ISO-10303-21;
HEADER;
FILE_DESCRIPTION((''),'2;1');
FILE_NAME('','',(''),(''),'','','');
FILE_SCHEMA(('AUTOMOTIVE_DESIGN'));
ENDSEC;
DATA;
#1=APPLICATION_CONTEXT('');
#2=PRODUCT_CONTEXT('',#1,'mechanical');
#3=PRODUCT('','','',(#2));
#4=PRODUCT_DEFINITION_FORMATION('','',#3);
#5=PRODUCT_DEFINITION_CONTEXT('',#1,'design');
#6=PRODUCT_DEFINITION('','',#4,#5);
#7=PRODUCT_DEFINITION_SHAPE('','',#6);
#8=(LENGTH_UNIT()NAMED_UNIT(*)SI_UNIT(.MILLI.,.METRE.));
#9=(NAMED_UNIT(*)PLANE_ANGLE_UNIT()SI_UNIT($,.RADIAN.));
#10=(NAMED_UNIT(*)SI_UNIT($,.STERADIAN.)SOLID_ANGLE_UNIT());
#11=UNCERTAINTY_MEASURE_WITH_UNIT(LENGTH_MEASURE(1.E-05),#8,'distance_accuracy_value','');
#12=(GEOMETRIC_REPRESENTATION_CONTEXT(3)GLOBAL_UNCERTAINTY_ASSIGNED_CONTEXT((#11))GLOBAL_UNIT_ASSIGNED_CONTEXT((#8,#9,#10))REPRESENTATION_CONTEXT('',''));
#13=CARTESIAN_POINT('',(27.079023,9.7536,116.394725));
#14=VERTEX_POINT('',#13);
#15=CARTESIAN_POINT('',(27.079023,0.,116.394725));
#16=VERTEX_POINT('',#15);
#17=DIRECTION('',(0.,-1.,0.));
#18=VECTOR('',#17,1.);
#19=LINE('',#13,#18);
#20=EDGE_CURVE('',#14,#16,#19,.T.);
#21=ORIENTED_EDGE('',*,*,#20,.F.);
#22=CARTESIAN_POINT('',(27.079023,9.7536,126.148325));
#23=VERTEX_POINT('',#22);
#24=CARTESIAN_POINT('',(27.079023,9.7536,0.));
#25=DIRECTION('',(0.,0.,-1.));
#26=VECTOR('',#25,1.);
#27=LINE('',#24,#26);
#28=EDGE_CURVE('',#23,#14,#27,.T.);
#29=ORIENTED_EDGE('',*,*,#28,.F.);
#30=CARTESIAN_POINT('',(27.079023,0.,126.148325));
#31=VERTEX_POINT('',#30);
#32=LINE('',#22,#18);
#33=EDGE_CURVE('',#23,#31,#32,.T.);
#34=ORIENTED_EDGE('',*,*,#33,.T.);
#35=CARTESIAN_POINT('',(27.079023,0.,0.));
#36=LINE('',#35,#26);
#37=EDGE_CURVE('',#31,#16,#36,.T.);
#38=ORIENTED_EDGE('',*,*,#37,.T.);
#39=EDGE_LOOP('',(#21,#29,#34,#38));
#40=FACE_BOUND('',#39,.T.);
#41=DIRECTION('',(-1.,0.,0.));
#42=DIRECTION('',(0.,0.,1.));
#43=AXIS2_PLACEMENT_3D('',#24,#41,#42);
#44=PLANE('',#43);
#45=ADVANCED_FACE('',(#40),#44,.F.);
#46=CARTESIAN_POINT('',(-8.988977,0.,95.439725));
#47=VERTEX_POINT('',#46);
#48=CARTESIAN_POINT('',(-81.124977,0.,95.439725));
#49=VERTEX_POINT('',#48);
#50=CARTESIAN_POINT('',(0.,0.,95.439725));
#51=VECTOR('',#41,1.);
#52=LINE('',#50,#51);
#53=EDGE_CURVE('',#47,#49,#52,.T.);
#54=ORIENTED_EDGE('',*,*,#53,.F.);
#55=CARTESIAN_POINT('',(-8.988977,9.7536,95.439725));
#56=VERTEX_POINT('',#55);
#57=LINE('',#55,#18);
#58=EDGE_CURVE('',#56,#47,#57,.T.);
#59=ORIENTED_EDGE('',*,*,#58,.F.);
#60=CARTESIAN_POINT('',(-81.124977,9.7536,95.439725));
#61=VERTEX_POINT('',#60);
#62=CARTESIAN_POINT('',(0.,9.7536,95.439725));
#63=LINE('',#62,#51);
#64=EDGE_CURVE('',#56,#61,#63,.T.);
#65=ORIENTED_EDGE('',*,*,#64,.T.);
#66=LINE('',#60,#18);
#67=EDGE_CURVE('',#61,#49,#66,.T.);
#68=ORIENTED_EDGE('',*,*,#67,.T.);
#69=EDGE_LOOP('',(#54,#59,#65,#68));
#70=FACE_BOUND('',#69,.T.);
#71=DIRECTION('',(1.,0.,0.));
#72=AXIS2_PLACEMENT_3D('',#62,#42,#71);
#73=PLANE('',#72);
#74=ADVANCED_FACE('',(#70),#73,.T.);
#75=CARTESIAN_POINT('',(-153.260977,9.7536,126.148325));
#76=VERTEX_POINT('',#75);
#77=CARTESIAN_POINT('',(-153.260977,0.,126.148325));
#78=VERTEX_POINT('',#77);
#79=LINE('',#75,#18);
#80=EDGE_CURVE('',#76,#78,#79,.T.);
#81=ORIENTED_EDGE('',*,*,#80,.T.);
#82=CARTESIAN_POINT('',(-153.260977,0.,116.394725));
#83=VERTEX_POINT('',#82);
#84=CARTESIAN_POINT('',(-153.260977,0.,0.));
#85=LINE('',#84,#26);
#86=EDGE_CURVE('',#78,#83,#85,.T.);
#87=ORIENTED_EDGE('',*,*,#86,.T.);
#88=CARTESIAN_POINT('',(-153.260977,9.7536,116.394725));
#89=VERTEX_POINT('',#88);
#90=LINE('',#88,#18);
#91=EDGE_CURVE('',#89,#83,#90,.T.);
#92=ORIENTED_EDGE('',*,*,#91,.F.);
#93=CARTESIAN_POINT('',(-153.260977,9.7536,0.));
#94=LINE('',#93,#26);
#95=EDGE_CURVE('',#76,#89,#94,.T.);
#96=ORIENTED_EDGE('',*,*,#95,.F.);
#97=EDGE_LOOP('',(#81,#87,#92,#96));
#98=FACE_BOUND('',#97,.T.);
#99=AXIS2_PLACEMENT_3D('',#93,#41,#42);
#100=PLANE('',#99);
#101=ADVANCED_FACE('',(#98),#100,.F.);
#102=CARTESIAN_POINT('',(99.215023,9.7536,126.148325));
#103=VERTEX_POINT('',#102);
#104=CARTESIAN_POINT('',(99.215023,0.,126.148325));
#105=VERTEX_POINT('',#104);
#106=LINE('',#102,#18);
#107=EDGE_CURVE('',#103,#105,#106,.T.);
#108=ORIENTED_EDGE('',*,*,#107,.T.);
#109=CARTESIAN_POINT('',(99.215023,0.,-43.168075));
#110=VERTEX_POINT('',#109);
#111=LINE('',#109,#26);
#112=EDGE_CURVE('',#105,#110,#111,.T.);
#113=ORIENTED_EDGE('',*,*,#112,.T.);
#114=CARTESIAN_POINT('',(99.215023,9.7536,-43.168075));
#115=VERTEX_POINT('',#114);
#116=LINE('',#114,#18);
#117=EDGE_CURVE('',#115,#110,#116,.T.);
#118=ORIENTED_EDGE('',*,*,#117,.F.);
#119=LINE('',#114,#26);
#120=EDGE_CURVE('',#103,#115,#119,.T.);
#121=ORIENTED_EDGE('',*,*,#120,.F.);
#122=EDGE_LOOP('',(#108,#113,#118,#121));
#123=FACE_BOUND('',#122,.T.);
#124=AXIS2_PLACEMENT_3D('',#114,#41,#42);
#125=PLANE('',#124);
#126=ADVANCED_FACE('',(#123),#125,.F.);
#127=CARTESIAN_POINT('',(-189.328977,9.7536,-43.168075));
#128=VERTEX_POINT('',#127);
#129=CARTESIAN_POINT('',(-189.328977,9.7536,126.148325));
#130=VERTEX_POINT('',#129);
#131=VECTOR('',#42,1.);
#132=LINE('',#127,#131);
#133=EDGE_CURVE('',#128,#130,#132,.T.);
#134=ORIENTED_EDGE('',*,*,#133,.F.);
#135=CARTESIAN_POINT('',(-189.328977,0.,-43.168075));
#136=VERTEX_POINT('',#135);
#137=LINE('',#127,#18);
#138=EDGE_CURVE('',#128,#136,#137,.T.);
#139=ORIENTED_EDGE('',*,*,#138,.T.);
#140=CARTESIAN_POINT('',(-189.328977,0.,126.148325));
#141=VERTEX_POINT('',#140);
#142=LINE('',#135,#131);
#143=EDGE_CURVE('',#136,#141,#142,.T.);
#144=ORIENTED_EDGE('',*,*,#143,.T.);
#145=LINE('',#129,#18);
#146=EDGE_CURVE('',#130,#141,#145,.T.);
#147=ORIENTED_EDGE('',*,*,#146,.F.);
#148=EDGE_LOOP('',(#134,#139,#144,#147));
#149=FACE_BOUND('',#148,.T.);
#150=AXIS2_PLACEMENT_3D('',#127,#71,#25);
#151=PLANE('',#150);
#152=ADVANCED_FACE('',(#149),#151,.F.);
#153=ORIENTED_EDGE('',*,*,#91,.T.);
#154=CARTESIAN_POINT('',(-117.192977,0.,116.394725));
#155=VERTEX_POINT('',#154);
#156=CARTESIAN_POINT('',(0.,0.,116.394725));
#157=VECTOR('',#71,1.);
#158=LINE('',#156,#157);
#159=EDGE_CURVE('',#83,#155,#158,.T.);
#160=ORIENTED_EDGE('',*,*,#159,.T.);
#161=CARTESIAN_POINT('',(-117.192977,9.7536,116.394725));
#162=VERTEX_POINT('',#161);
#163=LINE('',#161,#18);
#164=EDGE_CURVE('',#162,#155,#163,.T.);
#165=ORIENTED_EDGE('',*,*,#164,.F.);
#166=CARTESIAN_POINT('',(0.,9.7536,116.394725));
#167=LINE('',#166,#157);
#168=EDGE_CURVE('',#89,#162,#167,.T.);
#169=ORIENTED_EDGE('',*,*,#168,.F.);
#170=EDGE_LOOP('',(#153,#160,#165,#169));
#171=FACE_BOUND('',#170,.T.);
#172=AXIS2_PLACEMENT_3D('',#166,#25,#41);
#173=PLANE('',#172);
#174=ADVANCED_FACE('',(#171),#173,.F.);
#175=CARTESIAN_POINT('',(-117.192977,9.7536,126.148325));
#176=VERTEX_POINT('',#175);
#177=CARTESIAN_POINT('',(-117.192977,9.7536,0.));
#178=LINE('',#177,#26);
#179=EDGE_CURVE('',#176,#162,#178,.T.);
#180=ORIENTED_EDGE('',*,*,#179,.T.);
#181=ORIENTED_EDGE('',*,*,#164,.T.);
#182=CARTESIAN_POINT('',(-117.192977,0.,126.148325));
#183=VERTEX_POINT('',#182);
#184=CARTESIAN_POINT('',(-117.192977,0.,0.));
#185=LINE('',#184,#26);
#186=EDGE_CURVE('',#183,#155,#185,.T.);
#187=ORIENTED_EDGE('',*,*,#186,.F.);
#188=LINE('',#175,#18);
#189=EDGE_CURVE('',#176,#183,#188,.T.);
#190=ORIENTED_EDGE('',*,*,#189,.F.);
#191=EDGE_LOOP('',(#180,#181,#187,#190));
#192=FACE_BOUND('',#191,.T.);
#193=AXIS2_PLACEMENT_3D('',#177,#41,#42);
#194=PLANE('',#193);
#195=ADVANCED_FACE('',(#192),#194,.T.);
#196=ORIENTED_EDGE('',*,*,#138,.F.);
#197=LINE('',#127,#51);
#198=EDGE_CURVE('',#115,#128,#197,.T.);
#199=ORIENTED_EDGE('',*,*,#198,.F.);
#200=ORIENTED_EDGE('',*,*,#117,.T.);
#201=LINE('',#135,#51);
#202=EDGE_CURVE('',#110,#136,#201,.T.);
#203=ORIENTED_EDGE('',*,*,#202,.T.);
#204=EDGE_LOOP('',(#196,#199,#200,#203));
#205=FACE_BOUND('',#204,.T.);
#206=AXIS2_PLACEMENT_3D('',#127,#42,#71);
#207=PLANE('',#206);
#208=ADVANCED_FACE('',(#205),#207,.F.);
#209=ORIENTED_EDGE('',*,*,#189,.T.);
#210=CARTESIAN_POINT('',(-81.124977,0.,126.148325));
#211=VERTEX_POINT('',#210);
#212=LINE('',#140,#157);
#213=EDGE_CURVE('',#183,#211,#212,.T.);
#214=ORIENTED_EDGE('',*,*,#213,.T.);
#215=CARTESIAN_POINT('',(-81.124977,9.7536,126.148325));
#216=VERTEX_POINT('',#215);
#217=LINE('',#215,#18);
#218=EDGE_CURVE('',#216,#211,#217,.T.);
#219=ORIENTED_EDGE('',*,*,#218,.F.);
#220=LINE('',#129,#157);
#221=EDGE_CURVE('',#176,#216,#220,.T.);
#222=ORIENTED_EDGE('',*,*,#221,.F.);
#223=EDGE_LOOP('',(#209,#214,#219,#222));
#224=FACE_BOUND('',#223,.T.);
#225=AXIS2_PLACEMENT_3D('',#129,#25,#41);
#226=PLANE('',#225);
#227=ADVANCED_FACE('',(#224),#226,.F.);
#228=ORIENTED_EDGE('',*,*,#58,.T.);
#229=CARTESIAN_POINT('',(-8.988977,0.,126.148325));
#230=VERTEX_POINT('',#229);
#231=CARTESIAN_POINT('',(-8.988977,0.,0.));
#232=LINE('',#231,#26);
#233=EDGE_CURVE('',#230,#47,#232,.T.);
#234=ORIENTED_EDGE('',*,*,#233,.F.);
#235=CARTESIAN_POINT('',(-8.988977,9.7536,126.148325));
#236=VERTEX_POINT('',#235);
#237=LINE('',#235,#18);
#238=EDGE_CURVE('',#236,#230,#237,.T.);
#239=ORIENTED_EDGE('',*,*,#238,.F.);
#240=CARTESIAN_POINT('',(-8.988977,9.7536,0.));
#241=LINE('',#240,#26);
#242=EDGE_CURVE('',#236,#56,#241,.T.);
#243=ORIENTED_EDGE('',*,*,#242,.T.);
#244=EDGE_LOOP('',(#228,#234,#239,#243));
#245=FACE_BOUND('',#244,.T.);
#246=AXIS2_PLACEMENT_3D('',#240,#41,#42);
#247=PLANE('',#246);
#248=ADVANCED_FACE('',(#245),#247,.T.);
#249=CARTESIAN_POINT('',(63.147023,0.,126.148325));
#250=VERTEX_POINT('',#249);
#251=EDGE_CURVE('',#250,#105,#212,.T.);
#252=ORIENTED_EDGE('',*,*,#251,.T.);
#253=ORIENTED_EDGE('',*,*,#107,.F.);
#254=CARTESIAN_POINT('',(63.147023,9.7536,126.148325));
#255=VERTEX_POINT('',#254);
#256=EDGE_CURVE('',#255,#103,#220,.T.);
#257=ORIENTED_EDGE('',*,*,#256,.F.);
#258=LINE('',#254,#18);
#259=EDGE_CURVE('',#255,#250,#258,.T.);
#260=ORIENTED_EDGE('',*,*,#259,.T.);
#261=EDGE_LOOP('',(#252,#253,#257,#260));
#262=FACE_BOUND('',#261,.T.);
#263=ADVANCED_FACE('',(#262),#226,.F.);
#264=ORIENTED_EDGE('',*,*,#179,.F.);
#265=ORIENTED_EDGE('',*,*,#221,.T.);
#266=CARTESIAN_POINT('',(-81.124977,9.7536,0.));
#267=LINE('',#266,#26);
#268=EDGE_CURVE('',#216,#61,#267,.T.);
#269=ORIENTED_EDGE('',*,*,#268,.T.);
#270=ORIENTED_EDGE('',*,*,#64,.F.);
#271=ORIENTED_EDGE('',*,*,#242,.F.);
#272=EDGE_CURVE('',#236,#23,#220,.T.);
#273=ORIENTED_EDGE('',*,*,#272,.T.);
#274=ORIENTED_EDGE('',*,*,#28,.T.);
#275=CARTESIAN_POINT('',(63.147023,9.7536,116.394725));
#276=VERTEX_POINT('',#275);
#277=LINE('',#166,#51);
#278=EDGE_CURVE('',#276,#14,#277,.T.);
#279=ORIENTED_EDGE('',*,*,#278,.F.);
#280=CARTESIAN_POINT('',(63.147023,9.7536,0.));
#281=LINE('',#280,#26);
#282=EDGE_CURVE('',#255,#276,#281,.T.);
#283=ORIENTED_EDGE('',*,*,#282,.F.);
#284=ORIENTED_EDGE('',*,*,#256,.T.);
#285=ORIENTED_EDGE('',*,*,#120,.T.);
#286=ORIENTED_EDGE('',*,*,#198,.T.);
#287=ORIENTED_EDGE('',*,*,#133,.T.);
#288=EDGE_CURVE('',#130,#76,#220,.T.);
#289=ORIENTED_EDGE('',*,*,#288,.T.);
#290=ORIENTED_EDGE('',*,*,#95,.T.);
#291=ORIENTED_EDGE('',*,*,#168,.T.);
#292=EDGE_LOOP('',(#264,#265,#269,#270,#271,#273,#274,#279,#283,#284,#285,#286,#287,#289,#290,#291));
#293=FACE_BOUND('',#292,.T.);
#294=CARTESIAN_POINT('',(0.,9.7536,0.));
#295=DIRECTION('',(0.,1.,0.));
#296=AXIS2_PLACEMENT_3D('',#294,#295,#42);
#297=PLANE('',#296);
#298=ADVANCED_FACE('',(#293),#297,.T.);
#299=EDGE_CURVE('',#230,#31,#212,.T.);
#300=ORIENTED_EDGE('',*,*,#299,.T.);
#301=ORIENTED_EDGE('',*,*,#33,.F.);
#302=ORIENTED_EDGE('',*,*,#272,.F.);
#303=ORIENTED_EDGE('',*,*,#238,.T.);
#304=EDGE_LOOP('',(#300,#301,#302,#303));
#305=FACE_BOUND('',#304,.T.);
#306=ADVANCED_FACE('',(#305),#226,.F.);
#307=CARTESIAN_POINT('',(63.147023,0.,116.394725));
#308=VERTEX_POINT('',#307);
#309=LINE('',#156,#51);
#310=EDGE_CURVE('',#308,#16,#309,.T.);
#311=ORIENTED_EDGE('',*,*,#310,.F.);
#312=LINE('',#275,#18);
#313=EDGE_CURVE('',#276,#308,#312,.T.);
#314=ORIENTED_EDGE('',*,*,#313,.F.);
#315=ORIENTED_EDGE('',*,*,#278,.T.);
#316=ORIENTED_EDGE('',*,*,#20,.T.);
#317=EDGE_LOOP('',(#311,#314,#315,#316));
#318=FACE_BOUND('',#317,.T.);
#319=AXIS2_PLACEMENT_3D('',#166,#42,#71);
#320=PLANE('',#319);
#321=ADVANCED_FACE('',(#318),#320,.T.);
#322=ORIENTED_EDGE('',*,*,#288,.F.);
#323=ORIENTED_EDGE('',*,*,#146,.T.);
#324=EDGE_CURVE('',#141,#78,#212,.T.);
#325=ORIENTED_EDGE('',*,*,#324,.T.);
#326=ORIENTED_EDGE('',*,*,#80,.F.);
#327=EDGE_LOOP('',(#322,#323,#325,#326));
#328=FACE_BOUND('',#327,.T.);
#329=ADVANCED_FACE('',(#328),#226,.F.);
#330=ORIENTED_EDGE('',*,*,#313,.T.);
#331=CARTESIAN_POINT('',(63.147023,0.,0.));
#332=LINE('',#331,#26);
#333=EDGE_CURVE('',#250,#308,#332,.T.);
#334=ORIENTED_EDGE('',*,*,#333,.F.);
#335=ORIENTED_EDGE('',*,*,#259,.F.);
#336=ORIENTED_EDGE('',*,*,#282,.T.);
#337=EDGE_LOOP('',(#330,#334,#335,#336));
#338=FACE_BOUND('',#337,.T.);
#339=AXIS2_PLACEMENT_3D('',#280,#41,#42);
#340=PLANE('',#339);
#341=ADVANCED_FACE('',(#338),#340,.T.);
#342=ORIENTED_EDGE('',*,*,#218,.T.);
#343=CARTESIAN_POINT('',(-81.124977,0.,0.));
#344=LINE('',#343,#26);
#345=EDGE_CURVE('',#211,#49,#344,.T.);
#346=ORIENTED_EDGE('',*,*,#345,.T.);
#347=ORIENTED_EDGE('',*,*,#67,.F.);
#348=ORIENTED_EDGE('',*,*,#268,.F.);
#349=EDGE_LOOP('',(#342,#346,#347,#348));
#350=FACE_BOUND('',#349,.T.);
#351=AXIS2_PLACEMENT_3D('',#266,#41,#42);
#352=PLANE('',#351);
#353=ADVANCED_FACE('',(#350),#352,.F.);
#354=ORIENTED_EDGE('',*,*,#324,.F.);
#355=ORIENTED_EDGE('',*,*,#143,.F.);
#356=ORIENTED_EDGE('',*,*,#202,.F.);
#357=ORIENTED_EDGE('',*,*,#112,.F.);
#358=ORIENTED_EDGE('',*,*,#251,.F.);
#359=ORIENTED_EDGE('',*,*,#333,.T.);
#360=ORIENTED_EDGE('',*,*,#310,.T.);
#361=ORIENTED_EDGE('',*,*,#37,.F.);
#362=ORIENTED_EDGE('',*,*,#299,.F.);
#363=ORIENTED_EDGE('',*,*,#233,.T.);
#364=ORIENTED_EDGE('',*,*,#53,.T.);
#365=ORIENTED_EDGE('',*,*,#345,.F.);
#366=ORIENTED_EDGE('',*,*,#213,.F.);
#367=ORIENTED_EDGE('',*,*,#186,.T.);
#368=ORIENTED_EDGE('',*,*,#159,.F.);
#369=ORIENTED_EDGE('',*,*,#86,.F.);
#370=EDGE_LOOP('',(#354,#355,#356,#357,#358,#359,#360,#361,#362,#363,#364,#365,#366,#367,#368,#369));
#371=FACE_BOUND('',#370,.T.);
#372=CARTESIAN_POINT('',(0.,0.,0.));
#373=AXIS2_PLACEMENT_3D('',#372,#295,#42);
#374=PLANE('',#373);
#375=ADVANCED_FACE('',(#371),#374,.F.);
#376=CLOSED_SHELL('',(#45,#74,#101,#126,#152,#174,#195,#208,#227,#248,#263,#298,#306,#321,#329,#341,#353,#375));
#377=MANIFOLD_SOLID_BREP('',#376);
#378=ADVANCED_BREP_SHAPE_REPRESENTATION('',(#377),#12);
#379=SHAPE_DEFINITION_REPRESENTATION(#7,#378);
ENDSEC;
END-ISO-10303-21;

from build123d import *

# Parameters (mm, degrees)
SKETCH1_W           = 288.544
SKETCH1_H           = 169.3164
BOSS_EXTRUDE1_DEPTH = 9.7536
SKETCH2_W           = 36.068
SKETCH2_H           = 9.7536
SKETCH2_H_2         = 30.7086
CUT_EXTRUDE1_DEPTH  = 228.714720508


with BuildPart() as part:
    # Sketch1 → Boss-Extrude1 (new body)
    with BuildSketch(Plane(origin=(0, 0, 0), x_dir=(1, 0, 0), z_dir=(0, 1, 0))):
        with Locations((-45.056976526, -41.490124883)):
            Rectangle(SKETCH1_W, SKETCH1_H)
    extrude(amount=BOSS_EXTRUDE1_DEPTH)

    # Sketch2 → Cut-Extrude1 (cut, through all)
    with BuildSketch(Plane.XZ):
        with Locations((-135.226976526, 121.271524883)):
            Rectangle(SKETCH2_W, SKETCH2_H)
        with Locations((-63.090976526, 110.794024883)):
            Rectangle(SKETCH2_W, SKETCH2_H_2)
        with Locations((-27.022976526, 110.794024883)):
            Rectangle(SKETCH2_W, SKETCH2_H_2)
        with Locations((45.113023474, 121.271524883)):
            Rectangle(SKETCH2_W, SKETCH2_H)
    extrude(amount=-CUT_EXTRUDE1_DEPTH, mode=Mode.SUBTRACT)


solid = part.part
